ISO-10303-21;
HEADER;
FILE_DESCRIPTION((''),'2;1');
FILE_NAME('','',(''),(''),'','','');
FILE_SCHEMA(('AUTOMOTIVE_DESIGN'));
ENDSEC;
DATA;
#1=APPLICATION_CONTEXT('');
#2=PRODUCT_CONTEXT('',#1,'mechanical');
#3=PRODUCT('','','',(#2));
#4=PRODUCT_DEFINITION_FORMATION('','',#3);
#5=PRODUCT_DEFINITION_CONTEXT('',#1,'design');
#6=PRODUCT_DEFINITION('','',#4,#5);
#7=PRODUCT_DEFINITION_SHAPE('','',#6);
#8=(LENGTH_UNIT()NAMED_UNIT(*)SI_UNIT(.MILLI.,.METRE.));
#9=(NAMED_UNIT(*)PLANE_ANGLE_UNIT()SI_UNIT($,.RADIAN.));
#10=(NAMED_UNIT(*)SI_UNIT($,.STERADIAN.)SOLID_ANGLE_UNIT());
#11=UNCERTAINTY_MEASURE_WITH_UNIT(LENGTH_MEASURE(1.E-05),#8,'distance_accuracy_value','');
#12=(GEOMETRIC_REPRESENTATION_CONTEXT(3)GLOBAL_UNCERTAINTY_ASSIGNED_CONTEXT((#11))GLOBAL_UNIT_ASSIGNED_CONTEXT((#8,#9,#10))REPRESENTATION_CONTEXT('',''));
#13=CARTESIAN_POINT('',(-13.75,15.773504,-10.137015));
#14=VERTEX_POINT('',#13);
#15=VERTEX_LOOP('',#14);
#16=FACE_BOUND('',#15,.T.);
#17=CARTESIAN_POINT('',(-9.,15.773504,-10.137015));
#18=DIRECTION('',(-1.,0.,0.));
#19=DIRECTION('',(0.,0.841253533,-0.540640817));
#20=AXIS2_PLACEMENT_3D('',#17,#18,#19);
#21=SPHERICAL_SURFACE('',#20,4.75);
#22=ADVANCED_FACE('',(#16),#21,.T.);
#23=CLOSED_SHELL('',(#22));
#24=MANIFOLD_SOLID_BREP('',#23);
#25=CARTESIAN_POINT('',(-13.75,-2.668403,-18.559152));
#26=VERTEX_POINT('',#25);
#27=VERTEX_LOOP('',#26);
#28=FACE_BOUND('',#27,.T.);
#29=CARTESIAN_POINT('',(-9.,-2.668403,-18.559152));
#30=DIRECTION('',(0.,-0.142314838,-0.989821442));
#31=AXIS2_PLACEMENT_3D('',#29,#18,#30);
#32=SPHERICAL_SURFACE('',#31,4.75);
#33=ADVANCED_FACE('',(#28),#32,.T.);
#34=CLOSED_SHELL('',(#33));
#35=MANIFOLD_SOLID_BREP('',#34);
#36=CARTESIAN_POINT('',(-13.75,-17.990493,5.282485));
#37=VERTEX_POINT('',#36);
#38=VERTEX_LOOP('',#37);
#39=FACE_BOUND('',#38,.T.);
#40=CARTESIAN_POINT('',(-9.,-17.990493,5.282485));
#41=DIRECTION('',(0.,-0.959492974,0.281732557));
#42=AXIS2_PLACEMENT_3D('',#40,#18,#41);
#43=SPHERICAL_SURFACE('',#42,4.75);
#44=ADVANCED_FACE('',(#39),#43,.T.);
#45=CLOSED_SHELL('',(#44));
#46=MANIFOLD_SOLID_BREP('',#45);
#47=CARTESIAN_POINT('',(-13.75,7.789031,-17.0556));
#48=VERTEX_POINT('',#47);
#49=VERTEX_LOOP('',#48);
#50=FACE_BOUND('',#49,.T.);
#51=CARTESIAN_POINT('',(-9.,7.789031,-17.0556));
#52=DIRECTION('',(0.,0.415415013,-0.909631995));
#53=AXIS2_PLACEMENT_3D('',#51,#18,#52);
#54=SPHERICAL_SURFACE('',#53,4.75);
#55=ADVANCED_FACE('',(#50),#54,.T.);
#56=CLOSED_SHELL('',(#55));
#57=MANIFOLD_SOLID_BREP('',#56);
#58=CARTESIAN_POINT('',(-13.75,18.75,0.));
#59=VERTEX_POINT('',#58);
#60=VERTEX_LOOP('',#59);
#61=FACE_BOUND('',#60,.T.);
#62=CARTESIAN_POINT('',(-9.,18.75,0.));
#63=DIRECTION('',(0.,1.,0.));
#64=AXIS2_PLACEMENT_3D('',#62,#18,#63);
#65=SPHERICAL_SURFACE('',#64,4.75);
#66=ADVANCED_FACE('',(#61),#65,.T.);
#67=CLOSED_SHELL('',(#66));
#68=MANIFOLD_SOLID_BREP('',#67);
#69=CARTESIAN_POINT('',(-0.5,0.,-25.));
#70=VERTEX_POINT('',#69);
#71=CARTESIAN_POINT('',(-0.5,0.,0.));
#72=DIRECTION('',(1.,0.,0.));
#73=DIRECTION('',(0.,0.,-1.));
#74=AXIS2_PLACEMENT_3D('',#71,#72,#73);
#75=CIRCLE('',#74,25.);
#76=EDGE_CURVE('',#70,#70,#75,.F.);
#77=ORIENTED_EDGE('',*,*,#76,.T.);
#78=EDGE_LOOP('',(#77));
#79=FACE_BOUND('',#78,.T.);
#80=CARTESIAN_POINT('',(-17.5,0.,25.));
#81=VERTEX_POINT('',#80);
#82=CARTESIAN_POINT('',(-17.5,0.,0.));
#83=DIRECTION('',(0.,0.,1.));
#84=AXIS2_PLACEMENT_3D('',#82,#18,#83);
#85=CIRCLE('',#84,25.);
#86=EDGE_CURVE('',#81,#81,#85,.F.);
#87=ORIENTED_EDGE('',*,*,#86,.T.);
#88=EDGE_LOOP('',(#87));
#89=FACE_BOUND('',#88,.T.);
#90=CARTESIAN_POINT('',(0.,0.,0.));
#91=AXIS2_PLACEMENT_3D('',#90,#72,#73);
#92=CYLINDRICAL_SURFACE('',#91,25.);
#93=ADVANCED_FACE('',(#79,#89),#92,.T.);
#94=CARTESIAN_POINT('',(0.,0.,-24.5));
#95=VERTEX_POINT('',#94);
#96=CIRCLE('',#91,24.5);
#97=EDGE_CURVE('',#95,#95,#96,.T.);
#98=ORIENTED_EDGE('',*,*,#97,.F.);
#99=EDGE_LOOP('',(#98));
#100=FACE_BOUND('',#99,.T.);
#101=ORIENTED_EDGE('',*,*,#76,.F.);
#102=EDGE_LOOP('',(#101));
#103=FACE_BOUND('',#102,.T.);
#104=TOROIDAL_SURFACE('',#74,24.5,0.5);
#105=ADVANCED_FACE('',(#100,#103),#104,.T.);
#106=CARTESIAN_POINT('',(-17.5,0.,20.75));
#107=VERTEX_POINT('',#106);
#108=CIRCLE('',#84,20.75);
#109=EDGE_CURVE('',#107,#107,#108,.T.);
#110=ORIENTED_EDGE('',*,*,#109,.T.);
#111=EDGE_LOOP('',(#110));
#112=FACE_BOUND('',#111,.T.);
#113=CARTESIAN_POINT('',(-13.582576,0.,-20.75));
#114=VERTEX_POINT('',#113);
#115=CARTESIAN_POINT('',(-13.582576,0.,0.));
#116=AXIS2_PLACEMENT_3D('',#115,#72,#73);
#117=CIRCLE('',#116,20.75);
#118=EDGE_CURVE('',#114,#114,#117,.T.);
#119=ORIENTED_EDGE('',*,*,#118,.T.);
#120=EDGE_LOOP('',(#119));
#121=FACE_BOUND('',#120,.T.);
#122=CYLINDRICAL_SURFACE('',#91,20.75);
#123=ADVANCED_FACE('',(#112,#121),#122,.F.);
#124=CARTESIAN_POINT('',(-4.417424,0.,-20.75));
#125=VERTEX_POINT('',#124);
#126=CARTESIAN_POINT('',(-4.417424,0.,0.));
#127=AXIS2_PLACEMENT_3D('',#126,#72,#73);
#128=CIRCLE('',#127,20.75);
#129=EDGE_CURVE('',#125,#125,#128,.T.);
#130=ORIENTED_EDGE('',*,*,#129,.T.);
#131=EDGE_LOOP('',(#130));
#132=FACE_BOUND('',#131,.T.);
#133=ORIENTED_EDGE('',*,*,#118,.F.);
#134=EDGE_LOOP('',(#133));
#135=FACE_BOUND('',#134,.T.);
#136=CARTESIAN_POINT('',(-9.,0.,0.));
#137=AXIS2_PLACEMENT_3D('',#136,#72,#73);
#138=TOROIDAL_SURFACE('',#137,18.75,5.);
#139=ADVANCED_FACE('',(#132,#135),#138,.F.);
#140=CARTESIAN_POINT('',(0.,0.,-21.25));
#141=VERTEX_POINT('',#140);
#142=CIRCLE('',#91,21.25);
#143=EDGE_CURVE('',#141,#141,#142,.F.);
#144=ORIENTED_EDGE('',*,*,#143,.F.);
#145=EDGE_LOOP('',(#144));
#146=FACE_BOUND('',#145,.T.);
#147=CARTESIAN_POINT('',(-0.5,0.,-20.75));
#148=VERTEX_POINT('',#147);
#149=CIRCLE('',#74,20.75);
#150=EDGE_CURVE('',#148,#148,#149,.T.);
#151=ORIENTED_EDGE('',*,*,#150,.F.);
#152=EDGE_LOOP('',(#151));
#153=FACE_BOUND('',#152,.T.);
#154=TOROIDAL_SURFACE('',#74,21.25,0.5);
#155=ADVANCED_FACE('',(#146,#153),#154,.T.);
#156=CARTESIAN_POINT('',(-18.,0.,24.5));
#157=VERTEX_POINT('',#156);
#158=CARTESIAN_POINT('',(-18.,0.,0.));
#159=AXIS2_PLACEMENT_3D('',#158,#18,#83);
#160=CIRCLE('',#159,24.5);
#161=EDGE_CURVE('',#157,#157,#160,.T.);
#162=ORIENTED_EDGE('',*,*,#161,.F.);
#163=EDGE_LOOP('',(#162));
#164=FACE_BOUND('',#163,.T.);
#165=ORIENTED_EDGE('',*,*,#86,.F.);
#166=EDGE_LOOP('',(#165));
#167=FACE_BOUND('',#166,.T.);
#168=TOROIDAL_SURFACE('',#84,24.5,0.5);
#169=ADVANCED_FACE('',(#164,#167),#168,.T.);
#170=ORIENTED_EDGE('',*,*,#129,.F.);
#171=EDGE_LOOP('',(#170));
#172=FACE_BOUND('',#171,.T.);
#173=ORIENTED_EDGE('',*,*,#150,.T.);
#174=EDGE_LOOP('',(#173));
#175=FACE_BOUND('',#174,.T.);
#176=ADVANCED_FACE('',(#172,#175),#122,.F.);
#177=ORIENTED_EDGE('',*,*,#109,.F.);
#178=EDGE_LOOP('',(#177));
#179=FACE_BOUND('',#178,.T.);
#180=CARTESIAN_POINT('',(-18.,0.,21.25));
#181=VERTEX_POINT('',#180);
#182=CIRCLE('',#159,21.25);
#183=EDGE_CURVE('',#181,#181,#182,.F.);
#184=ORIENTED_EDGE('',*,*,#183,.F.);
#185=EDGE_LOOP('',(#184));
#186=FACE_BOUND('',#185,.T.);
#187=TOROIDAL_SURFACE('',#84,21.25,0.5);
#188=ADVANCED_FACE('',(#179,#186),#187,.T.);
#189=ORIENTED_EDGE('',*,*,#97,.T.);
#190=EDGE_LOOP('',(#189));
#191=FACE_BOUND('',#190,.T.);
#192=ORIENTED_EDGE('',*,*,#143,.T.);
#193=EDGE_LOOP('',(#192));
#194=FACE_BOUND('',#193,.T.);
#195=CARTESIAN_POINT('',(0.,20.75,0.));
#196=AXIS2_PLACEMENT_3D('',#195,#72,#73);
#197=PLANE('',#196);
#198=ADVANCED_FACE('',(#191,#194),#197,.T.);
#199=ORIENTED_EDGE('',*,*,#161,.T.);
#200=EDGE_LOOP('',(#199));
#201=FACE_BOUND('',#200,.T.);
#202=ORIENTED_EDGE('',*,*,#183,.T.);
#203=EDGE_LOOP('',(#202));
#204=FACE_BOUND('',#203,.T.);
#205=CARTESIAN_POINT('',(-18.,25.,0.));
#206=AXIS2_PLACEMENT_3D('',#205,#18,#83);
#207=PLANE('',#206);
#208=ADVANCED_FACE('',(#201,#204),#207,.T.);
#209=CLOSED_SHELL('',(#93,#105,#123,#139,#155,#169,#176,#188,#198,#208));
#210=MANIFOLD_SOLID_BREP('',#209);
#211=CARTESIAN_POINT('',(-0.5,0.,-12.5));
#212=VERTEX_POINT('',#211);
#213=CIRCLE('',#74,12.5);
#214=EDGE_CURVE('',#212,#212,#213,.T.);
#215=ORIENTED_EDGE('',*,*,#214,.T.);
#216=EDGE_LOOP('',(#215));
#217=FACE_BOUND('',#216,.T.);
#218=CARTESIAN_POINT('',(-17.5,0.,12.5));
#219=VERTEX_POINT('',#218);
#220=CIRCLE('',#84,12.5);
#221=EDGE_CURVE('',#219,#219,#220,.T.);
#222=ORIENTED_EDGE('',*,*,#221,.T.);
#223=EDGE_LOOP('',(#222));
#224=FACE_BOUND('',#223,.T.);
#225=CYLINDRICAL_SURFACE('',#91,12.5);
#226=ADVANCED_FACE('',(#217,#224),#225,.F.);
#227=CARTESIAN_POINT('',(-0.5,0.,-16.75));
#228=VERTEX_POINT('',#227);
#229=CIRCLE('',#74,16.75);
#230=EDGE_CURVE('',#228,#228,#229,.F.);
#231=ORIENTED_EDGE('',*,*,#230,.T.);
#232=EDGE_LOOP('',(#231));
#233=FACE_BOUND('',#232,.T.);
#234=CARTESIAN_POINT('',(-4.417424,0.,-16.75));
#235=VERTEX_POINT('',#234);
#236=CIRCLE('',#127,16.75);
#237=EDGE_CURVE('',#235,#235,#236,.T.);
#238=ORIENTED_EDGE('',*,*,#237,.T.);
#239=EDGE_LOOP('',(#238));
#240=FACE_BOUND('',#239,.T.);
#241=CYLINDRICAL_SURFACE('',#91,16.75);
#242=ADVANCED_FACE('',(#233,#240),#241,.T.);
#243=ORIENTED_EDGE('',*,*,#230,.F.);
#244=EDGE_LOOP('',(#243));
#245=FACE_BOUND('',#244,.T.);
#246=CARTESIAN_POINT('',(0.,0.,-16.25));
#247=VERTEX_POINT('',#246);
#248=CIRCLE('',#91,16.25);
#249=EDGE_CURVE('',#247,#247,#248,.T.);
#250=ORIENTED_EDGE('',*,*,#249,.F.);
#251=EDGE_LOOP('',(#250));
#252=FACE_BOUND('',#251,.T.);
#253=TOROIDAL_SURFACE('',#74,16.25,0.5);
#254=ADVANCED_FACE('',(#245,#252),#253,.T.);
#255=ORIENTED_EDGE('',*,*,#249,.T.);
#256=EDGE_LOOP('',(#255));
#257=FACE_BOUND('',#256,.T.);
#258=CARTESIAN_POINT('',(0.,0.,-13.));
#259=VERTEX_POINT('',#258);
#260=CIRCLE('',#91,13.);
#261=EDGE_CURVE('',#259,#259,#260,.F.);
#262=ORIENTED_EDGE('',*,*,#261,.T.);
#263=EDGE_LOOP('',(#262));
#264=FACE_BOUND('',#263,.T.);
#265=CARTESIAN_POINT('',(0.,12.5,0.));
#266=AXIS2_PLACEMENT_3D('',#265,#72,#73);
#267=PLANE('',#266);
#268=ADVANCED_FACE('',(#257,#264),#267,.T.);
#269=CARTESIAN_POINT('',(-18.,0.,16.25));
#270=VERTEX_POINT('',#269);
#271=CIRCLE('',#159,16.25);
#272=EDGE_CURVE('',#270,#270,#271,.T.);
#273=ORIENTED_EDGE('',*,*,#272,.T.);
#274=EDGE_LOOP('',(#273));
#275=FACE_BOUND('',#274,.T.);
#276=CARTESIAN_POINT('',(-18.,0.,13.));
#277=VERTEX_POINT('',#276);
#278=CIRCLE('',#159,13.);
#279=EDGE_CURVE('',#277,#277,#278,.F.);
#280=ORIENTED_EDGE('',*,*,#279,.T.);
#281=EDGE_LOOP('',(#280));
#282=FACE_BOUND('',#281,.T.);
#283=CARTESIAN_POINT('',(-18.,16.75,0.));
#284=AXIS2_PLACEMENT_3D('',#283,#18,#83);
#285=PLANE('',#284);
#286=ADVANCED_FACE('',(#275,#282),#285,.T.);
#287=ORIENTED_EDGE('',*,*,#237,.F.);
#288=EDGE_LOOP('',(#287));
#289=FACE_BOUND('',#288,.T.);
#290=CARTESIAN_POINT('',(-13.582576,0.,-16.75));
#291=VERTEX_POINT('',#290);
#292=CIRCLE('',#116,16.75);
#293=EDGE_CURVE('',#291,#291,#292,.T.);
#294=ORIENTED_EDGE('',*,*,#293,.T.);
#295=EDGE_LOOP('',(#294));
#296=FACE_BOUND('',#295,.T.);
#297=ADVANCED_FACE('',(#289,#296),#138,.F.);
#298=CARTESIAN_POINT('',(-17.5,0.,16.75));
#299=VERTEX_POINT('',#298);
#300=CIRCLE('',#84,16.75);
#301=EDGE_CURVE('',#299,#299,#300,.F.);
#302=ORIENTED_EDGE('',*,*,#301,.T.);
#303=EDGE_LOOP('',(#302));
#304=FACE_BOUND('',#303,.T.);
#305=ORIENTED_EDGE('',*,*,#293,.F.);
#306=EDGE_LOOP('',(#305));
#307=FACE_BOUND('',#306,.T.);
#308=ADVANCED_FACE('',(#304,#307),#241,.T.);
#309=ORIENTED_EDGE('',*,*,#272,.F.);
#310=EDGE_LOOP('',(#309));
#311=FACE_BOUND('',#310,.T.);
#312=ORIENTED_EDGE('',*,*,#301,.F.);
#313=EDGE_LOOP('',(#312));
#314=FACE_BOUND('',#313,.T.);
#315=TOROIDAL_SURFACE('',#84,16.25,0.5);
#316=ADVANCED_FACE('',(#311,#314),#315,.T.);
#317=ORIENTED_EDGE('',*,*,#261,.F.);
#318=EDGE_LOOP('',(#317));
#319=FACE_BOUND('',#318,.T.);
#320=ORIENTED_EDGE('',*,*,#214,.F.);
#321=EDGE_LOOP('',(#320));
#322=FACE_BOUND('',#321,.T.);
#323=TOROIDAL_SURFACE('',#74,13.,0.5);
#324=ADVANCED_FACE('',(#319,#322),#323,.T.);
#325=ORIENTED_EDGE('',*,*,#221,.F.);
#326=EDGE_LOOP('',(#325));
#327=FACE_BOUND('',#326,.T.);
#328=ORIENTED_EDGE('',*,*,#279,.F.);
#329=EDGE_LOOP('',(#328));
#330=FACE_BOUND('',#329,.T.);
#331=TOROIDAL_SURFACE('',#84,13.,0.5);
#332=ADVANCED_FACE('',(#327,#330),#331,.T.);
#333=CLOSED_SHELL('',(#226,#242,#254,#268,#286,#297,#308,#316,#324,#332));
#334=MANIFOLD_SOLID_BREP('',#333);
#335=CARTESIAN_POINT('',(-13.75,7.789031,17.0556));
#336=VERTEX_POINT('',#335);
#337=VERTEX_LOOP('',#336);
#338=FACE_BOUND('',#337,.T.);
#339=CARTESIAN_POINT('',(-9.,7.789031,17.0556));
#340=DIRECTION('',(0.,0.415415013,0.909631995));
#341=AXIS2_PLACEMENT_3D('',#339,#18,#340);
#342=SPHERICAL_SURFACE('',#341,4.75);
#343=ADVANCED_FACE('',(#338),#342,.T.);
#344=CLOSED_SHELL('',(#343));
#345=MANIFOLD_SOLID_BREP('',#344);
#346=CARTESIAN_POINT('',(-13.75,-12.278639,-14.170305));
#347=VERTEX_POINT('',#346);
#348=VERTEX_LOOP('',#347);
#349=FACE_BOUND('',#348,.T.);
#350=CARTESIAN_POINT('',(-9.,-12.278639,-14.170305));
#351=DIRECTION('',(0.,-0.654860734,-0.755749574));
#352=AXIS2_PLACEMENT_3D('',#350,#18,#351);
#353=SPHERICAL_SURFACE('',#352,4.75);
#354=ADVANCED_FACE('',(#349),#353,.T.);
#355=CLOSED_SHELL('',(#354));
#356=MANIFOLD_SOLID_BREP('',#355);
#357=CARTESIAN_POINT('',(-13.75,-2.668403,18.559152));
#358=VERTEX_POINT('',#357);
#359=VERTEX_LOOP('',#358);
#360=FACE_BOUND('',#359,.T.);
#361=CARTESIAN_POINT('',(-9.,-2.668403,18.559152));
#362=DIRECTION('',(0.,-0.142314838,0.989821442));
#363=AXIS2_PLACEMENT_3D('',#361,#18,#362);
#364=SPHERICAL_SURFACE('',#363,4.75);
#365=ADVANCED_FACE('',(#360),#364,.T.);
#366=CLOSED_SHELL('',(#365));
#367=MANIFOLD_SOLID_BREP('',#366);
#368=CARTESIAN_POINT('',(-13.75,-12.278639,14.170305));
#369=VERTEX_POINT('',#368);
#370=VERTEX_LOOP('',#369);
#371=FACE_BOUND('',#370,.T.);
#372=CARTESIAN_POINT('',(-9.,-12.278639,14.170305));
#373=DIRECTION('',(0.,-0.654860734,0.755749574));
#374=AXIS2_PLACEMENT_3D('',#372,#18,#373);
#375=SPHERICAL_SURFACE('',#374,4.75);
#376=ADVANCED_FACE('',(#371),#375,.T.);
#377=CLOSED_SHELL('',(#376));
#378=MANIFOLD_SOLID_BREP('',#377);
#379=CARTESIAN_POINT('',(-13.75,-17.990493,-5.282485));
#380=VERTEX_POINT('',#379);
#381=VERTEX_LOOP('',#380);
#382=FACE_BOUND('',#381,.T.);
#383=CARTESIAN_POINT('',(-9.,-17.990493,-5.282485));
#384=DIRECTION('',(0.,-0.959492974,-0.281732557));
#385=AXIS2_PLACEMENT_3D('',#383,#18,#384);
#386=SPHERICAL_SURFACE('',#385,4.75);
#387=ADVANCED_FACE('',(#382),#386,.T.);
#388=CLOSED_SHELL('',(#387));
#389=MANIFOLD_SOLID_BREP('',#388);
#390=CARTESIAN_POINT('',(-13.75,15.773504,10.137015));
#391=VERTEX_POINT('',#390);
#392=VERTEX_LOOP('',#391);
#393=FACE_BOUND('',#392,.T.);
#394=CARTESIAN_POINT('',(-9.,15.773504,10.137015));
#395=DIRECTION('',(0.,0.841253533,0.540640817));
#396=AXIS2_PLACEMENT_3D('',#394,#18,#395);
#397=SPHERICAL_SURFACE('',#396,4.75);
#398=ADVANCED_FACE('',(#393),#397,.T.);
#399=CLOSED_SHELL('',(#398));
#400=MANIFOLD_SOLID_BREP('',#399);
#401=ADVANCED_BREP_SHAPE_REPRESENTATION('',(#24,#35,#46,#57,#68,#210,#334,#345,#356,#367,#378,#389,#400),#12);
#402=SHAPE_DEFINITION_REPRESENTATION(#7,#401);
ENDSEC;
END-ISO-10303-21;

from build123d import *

# Parameters (mm, degrees)
CIRPATTERN4_COUNT = 11
FILLET1_R         = 0.5
FILLET2_R         = 0.5


with BuildPart() as part:
    # Sketch1 → Revolve1 (revolve)
    with BuildSketch(Plane.XY, mode=Mode.PRIVATE) as revolve1_sk:
        with BuildLine():
            Line((0, 25), (-18, 25))
            Line((-18, 25), (-18, 20.75))
            Line((-18, 20.75), (-13.582575695, 20.75))
            ThreePointArc((-13.582575695, 20.75), (-9, 23.75), (-4.417424305, 20.75))
            Line((-4.417424305, 20.75), (0, 20.75))
            Line((0, 20.75), (0, 25))
        make_face()
        with BuildLine():
            Line((-18, 12.5), (0, 12.5))
            Line((0, 12.5), (0, 16.75))
            Line((0, 16.75), (-4.417424305, 16.75))
            ThreePointArc((-4.417424305, 16.75), (-9, 13.75), (-13.582575695, 16.75))
            Line((-13.582575695, 16.75), (-18, 16.75))
            Line((-18, 16.75), (-18, 12.5))
        make_face()
    revolve(revolve1_sk.sketch.rotate(Axis((0, 0, 0), (-1, 0, 0)), 90), axis=Axis((0, 0, 0), (-1, 0, 0)))

    # Fillet1
    fillet1_edges = [part.edges().sort_by_distance(p)[0] for p in [
        (0, 0, 12.5),
        (-18, 0, 12.5),
        (-18, 0, 16.75),
        (0, 0, 16.75),
    ]]
    fillet(fillet1_edges, radius=FILLET1_R)

    # Fillet2
    fillet2_edges = [part.edges().sort_by_distance(p)[0] for p in [
        (0, 0, 20.75),
        (-18, 0, 20.75),
        (-18, 0, 25),
        (0, 0, 25),
    ]]
    fillet(fillet2_edges, radius=FILLET2_R)


with BuildPart() as body_2:
    # Sketch2 → Revolve2 (revolve)
    with BuildSketch(Plane.XY):
        with BuildLine():
            Line((-13.75, 18.75), (-4.25, 18.75))
            ThreePointArc((-4.25, 18.75), (-9, 14), (-13.75, 18.75))
        make_face()
    revolve(axis=Axis((-13.75, 18.75, 0), (1, 0, 0)))


with BuildPart() as cirpattern4_1:
    # CirPattern4: pattern copy
    add(body_2.part.rotate(Axis((0, 0, 0), (1, 0, 0)), 1 * 360 / CIRPATTERN4_COUNT))


with BuildPart() as cirpattern4_2:
    # CirPattern4: pattern copy
    add(body_2.part.rotate(Axis((0, 0, 0), (1, 0, 0)), 2 * 360 / CIRPATTERN4_COUNT))


with BuildPart() as cirpattern4_3:
    # CirPattern4: pattern copy
    add(body_2.part.rotate(Axis((0, 0, 0), (1, 0, 0)), 3 * 360 / CIRPATTERN4_COUNT))


with BuildPart() as cirpattern4_4:
    # CirPattern4: pattern copy
    add(body_2.part.rotate(Axis((0, 0, 0), (1, 0, 0)), 4 * 360 / CIRPATTERN4_COUNT))


with BuildPart() as cirpattern4_5:
    # CirPattern4: pattern copy
    add(body_2.part.rotate(Axis((0, 0, 0), (1, 0, 0)), 5 * 360 / CIRPATTERN4_COUNT))


with BuildPart() as cirpattern4_6:
    # CirPattern4: pattern copy
    add(body_2.part.rotate(Axis((0, 0, 0), (1, 0, 0)), 6 * 360 / CIRPATTERN4_COUNT))


with BuildPart() as cirpattern4_7:
    # CirPattern4: pattern copy
    add(body_2.part.rotate(Axis((0, 0, 0), (1, 0, 0)), 7 * 360 / CIRPATTERN4_COUNT))


with BuildPart() as cirpattern4_8:
    # CirPattern4: pattern copy
    add(body_2.part.rotate(Axis((0, 0, 0), (1, 0, 0)), 8 * 360 / CIRPATTERN4_COUNT))


with BuildPart() as cirpattern4_9:
    # CirPattern4: pattern copy
    add(body_2.part.rotate(Axis((0, 0, 0), (1, 0, 0)), 9 * 360 / CIRPATTERN4_COUNT))


with BuildPart() as cirpattern4_10:
    # CirPattern4: pattern copy
    add(body_2.part.rotate(Axis((0, 0, 0), (1, 0, 0)), 10 * 360 / CIRPATTERN4_COUNT))


solid = Compound([part.part, body_2.part, cirpattern4_1.part, cirpattern4_2.part, cirpattern4_3.part, cirpattern4_4.part, cirpattern4_5.part, cirpattern4_6.part, cirpattern4_7.part, cirpattern4_8.part, cirpattern4_9.part, cirpattern4_10.part])
